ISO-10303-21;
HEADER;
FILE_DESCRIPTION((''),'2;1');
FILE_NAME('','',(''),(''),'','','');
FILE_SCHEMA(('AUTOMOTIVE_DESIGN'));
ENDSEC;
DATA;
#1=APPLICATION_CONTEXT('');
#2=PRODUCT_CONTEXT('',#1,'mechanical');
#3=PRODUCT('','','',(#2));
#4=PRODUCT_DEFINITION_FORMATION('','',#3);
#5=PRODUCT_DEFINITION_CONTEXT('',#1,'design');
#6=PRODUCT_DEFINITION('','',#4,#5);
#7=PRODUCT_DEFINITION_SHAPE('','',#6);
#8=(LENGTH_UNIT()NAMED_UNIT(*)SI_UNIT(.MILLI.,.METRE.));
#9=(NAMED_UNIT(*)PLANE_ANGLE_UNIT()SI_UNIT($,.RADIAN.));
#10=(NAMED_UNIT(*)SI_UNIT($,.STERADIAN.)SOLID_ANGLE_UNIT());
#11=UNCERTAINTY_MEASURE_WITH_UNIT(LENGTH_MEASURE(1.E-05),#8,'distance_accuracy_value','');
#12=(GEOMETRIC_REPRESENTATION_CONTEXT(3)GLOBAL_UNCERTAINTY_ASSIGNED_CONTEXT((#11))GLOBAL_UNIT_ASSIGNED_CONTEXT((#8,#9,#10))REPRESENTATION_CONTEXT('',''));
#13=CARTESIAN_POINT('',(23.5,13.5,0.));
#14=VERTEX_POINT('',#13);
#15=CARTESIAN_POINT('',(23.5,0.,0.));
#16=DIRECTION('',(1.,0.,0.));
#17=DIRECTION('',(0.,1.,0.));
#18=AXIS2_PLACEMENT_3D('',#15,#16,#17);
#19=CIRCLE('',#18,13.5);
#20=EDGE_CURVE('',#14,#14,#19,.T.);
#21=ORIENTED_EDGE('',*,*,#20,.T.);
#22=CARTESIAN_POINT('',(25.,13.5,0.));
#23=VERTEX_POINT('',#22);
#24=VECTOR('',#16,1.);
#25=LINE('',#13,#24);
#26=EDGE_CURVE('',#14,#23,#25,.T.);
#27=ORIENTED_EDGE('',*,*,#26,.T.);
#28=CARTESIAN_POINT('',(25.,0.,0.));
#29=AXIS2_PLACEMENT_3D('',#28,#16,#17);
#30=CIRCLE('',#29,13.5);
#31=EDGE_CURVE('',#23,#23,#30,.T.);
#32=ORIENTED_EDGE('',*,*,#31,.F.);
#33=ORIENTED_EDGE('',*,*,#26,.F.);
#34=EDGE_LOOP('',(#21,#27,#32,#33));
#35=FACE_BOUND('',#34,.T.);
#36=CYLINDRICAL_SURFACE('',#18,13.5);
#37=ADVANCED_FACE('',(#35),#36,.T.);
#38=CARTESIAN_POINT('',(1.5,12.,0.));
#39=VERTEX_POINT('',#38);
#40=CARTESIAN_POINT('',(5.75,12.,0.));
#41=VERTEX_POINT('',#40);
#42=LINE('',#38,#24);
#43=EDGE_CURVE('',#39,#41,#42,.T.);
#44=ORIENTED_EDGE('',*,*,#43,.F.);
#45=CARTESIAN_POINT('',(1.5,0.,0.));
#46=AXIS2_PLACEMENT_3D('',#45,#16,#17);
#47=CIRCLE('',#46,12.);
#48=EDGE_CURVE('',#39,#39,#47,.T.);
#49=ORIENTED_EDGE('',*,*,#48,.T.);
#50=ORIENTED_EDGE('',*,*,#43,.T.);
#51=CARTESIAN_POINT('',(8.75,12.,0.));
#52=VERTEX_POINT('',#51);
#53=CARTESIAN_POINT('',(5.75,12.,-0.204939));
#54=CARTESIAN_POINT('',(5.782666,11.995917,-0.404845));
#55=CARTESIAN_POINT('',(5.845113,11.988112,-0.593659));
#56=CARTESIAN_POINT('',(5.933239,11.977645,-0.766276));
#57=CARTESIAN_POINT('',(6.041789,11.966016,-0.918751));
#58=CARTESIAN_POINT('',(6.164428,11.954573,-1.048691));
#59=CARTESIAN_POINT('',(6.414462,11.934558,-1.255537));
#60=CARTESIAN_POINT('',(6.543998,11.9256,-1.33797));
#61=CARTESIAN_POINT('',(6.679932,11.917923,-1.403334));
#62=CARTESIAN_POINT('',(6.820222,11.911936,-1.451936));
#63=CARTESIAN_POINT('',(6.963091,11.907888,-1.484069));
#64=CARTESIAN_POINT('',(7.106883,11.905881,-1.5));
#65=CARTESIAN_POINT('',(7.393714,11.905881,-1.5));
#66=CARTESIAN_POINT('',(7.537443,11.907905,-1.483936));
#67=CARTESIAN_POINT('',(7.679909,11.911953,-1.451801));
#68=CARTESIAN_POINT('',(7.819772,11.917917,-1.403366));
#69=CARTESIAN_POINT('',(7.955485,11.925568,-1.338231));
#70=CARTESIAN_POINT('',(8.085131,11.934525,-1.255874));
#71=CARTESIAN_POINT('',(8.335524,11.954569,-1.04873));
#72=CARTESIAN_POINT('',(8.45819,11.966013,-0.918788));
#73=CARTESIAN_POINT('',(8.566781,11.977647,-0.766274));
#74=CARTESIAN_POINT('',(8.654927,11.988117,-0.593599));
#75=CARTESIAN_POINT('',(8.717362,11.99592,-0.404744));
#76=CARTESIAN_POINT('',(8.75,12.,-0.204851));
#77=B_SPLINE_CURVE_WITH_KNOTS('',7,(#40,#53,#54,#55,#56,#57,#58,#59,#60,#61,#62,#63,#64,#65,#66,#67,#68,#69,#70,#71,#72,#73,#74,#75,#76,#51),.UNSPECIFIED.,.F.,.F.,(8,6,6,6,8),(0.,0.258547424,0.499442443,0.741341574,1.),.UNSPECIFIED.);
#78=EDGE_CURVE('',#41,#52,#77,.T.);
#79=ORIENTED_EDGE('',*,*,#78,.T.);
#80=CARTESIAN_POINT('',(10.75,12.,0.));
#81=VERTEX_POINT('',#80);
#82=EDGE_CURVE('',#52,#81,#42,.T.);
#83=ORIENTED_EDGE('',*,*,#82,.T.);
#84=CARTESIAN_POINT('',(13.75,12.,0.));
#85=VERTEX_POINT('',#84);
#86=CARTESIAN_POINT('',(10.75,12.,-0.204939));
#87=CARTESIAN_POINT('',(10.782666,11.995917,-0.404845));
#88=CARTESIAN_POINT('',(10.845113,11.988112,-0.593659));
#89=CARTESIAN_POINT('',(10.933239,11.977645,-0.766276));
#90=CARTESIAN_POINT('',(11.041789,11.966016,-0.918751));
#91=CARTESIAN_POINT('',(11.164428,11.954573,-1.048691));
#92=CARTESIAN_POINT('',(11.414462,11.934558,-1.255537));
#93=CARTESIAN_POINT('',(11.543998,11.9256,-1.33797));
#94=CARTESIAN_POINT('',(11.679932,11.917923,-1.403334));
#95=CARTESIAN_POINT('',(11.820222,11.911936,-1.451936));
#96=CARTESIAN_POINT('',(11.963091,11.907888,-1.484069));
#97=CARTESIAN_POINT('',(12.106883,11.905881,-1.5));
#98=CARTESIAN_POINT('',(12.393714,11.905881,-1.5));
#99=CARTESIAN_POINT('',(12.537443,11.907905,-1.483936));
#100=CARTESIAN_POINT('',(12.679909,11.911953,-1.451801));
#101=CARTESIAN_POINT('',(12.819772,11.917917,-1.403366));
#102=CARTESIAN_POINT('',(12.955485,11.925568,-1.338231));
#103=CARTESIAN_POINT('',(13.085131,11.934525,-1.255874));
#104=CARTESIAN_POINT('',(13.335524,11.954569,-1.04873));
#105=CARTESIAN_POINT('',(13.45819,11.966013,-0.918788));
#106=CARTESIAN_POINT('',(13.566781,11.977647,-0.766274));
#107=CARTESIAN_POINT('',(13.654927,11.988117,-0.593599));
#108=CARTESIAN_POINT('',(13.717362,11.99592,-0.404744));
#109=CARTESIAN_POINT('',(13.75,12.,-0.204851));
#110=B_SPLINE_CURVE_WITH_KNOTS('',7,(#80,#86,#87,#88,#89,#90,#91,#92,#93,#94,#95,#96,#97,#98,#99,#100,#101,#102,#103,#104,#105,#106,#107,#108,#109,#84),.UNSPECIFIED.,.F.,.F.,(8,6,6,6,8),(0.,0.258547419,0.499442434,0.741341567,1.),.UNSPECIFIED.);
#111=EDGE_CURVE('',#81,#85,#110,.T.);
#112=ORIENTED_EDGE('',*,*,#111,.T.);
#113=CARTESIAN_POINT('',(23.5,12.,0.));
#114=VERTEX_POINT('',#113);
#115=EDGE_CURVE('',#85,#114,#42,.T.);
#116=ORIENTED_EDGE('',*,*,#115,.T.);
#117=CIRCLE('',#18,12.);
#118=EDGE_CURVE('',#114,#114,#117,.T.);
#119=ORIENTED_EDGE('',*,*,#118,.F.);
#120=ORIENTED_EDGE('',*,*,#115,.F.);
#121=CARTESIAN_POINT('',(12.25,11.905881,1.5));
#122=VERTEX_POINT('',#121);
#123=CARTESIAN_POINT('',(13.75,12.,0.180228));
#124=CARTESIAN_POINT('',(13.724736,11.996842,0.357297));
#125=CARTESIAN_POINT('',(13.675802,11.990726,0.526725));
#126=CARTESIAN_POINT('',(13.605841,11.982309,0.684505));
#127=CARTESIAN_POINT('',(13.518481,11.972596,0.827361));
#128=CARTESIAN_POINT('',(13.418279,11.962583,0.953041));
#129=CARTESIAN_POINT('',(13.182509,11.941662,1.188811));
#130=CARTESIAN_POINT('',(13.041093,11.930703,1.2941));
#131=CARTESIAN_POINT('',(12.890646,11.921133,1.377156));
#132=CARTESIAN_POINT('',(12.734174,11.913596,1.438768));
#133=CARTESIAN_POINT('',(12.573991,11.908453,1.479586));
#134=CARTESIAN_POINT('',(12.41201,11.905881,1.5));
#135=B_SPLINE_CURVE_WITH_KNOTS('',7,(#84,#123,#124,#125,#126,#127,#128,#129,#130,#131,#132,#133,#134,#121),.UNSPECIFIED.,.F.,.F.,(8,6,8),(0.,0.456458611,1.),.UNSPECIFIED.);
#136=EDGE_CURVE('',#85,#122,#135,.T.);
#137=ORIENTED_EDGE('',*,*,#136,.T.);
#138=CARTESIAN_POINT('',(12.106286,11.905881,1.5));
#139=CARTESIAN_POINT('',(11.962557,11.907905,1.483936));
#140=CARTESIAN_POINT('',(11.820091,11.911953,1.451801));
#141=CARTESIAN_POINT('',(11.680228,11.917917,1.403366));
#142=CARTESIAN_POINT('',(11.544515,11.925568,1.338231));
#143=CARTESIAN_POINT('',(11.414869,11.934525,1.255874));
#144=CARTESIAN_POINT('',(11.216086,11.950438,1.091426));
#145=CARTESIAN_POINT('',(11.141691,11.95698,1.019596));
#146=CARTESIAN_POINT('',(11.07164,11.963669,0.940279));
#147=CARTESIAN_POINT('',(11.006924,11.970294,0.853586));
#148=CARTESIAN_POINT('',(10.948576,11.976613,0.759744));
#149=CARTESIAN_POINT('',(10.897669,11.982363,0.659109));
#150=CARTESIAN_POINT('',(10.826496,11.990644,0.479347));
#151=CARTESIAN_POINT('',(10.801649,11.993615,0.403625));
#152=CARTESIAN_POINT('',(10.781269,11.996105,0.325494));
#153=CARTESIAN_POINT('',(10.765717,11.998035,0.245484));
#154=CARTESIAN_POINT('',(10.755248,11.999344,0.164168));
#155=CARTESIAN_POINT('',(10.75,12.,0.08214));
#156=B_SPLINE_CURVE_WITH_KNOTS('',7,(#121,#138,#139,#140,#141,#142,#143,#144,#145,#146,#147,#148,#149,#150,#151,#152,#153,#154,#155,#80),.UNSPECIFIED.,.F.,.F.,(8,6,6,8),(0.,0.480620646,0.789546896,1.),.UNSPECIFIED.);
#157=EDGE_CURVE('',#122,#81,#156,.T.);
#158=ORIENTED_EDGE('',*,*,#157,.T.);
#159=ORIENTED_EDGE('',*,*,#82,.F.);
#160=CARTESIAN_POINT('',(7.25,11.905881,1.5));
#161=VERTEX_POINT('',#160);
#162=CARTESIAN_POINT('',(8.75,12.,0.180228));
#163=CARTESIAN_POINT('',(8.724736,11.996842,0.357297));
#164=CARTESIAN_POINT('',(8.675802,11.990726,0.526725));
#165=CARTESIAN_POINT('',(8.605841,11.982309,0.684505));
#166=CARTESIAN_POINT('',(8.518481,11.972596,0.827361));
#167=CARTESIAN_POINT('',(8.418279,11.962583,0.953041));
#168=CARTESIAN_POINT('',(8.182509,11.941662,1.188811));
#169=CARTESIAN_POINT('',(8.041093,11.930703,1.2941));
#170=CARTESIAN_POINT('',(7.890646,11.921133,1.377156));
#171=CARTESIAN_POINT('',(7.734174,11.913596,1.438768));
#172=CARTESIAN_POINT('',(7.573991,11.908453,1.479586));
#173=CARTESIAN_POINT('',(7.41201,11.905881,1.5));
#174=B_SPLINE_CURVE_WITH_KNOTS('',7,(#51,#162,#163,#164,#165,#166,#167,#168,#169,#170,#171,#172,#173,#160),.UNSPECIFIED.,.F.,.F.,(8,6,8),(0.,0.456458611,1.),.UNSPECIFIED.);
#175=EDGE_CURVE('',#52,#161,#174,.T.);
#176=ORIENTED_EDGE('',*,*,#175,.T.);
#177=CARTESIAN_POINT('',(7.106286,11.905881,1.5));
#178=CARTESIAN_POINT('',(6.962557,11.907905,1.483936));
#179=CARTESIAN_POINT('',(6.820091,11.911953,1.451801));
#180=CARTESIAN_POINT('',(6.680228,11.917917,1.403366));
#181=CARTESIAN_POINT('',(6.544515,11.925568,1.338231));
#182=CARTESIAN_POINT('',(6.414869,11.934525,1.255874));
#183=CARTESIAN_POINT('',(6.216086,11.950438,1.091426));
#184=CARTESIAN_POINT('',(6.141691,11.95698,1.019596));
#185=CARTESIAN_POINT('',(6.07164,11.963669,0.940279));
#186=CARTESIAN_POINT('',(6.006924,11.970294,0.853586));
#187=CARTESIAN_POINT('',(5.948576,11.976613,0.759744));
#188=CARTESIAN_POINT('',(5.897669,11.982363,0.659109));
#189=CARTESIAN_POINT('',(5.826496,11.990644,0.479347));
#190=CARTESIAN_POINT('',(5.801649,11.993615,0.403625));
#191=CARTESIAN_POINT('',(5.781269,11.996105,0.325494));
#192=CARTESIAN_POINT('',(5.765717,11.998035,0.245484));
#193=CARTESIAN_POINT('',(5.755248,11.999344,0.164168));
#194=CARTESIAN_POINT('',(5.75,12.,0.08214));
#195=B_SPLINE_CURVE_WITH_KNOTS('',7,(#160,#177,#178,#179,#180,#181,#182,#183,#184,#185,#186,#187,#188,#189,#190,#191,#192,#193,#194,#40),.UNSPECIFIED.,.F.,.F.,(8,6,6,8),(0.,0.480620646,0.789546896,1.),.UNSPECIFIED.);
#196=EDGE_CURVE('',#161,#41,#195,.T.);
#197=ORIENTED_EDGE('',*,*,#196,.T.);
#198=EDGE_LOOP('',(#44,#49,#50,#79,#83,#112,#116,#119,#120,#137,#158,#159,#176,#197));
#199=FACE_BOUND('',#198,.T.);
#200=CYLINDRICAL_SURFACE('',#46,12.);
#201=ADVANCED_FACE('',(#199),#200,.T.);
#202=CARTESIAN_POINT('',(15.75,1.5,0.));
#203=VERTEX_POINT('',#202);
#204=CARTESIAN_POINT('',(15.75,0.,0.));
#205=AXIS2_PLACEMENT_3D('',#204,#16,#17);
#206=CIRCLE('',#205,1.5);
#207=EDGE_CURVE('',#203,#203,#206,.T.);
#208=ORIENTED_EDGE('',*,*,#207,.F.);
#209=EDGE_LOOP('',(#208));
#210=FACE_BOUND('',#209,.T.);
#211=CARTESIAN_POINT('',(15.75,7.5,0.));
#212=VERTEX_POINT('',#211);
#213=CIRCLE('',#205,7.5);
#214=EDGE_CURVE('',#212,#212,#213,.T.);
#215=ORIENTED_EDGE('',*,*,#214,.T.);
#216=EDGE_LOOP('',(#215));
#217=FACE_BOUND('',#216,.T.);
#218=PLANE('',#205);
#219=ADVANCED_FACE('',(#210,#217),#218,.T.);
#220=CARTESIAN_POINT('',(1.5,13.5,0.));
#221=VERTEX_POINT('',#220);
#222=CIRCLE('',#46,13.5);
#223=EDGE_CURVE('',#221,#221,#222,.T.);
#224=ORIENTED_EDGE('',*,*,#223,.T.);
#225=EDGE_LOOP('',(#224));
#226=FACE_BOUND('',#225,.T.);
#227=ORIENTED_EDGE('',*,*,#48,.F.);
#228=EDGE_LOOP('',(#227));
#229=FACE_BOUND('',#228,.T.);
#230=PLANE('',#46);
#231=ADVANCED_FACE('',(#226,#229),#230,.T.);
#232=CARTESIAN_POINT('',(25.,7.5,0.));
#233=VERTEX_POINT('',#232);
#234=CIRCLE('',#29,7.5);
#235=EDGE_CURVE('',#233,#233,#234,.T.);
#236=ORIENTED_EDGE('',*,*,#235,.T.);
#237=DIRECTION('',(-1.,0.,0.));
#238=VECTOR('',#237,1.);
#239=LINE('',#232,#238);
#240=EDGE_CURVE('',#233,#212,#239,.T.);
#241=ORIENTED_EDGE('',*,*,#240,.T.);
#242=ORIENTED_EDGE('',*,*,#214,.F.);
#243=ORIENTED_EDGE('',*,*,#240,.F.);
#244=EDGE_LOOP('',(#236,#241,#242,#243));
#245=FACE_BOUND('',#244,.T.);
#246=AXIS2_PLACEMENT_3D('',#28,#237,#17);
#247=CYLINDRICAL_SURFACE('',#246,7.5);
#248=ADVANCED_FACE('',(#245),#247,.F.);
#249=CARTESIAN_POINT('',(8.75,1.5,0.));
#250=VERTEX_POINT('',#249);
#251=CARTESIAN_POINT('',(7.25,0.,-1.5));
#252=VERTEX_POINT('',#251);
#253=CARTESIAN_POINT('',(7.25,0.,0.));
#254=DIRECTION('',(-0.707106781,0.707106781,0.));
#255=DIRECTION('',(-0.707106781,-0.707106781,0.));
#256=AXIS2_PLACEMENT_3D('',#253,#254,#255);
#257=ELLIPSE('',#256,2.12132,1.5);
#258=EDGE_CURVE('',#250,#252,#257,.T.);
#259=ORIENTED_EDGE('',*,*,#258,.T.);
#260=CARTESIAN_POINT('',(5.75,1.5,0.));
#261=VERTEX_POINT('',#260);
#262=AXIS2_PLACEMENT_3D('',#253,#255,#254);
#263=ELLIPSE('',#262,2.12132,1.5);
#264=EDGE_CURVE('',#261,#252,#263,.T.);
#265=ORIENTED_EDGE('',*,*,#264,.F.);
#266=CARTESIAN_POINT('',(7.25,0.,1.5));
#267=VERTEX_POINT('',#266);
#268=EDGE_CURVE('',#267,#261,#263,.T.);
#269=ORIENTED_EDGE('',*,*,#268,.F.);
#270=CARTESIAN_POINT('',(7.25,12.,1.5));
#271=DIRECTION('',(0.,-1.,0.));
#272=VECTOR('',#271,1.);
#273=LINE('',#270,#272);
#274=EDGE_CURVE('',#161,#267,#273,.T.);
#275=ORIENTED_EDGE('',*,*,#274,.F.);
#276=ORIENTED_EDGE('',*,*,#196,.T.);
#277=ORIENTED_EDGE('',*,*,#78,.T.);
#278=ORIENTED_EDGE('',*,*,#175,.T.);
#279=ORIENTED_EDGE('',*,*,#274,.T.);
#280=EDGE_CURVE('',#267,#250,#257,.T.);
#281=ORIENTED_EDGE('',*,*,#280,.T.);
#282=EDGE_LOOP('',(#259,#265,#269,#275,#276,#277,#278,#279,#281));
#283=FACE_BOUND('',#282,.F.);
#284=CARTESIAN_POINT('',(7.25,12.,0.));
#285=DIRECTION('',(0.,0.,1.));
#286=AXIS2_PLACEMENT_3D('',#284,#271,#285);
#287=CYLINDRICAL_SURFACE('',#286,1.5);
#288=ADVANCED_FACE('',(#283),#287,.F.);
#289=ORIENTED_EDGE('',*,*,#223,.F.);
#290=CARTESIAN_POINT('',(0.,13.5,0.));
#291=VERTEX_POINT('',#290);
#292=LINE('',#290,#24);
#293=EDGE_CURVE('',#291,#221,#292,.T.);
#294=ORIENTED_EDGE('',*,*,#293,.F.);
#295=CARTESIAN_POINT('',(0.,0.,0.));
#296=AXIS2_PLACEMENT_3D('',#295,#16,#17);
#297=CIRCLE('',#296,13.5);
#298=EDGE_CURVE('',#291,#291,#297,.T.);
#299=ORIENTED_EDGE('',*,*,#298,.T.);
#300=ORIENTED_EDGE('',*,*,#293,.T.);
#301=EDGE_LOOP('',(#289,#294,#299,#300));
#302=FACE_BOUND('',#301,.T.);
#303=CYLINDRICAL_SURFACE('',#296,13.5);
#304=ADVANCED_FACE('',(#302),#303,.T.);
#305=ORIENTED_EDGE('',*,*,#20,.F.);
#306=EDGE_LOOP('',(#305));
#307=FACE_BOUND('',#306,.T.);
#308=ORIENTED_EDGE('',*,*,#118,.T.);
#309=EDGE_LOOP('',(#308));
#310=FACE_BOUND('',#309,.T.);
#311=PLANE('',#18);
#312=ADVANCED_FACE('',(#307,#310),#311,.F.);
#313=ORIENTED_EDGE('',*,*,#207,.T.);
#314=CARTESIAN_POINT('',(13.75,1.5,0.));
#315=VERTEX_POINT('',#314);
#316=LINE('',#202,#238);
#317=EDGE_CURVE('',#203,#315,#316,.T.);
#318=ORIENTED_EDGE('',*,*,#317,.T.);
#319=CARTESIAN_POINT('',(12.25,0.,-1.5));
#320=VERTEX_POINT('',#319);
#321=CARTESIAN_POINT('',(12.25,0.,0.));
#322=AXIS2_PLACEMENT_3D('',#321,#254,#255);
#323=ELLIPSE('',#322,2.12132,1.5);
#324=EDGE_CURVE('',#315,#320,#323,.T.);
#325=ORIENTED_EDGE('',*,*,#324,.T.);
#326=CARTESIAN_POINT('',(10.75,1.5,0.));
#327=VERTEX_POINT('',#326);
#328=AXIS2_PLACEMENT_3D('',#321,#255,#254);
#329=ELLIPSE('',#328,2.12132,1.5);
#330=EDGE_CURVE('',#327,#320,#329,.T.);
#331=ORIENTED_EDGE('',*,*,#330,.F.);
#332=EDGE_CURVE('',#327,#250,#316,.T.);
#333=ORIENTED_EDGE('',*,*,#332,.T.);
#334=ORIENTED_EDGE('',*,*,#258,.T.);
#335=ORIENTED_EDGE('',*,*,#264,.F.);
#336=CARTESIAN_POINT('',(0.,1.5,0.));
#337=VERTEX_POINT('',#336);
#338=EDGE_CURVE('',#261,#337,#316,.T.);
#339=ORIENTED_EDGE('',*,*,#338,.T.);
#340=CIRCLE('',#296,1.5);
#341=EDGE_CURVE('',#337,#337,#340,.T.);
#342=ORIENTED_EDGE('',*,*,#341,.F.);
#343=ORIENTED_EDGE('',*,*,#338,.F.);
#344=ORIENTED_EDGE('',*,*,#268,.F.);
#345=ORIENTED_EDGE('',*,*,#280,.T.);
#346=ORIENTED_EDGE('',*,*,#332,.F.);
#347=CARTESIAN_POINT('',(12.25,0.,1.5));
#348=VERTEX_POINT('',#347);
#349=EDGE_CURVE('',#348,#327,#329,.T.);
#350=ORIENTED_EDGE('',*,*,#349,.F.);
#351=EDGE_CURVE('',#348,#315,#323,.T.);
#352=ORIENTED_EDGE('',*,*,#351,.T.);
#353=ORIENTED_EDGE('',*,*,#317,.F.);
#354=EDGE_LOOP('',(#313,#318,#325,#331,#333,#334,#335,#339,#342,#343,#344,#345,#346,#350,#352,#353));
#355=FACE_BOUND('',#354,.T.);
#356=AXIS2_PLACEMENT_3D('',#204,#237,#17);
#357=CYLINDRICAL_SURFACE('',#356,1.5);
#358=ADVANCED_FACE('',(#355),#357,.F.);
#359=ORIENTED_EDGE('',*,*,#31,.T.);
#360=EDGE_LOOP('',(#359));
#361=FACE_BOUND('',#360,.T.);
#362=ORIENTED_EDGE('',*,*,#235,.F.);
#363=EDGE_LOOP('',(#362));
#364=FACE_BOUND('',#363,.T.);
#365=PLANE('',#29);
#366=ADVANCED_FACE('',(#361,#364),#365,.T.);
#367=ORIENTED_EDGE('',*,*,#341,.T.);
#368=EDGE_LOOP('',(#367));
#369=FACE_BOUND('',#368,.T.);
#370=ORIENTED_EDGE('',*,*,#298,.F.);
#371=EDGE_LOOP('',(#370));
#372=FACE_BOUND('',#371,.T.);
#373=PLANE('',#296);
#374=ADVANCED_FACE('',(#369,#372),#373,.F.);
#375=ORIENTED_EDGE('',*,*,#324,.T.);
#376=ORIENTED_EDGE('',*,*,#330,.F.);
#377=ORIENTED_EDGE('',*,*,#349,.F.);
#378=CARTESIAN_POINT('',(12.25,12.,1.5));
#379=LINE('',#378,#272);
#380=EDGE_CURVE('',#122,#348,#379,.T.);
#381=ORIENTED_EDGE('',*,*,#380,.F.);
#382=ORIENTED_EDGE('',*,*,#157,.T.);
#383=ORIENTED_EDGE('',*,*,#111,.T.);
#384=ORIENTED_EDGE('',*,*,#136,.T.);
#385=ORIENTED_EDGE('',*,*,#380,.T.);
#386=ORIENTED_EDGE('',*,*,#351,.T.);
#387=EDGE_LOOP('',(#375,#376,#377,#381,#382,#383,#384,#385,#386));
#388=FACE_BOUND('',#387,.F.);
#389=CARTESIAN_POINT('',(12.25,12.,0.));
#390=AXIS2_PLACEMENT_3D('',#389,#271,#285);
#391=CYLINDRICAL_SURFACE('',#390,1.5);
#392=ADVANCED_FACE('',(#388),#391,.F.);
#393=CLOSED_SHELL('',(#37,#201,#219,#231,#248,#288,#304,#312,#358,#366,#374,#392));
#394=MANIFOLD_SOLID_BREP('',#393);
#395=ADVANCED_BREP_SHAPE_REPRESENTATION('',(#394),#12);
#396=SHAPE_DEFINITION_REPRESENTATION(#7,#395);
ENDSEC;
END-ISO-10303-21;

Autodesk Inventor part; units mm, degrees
ref_plane "YZ Plane" through (0, 0, 0) normal (1, 0, 0) x (0, 1, 0)
ref_plane "XY Plane" through (0, 0, 0) normal (0, 0, 1) x (1, 0, 0)
sketch "Náčrt1" plane through (0, 0, 0) normal (0, 0, 1) x (1, 0, 0)
  line L0 (0, 0) -> (25, 0)
  line L1 (0, 0) -> (0, 13.5)
  line L2 (0, 13.5) -> (1.5, 13.5)
  line L3 (1.5, 13.5) -> (1.5, 12)
  line L4 (1.5, 12) -> (23.5, 12)
  line L5 (23.5, 12) -> (23.5, 13.5)
  line L6 (23.5, 13.5) -> (25, 13.5)
  line L7 (25, 13.5) -> (25, 7.5)
  line L8 (25, 7.5) -> (15.75, 7.5)
  line L9 (48.5, 7.4) -> (48.5, -7.4) construction
  line L10 (6.5, 1.5) -> (6.5, -1.5) construction
  line L11 (15.75, 7.4) -> (15.75, -7.4) construction
  line L12 (6.5, 1.5) -> (15.75, 1.5) construction
  line L13 (6.5, -1.5) -> (15.75, -1.5) construction
  line L14 (15.75, 7.5) -> (15.75, 0)
  line L15 (13.75, 12) -> (13.75, 1.5) construction
  line L16 (10.75, 1.5) -> (10.75, 12) construction
  line L17 (8.75, 12) -> (8.75, 1.5) construction
  line L18 (5.75, 1.5) -> (5.75, 12) construction
  line L19 (15.75, 1.5) -> (0, 1.5)
  line L20 (5.75, 12) -> (7.25, 12) construction
  line L21 (7.25, 12) -> (8.75, 12) construction
  line L22 (12.25, 12) -> (10.75, 12) construction
  line L23 (12.25, 12) -> (13.75, 12) construction
  point P0 (6.5, 0)
  point P1 (24.25, 13.5)
  point P2 (15.75, 1.5)
  dimension "d1" = 15
  dimension "d2" = 48.5
  dimension "d3" = 42
  dimension "d4" = 3
  dimension "d5" = 9.25
  dimension "d6" = 14.8
  dimension "d7" = 27
  dimension "d8" = 25
  dimension "d9" = 1.5
  dimension "d10" = 1.5
  dimension "d11" = 3
  dimension "d12" = 2
  dimension "d13" = 3
  dimension "d14" = 2
revolve "Rotace1" add sketch "Náčrt1" angle 360 about axis through (0, 0, 0) along (1, 0, 0) contours L1 L2 L3 L4 L5 L6 L7 L8 L14 L19
ref_plane "Pracovní rovina1" through (12.5, 12, 0) normal (0, 1, 0) x (-1, 0, 0)
sketch "Náčrt2" plane through (12.5, 12, 0) normal (0, 1, 0) x (-1, 0, 0)
  point P0 (12.5, 0)
  point P1 (5.25, 0)
  point P2 (0.25, 0)
hole "Díra1" at (7.25, 12, 0) at (12.25, 12, 0) direction (0, -1, 0) diameter 3 depth 12
thread "Závit1" size "M3x0.5" class "6H" standard "ANSI Metric M Profile" full length
thread "Závit2" size "M3x0.5" class "6H" standard "ANSI Metric M Profile" full length
properties part number "wheelGen2" material "Mosaz, měkká žlutá"
